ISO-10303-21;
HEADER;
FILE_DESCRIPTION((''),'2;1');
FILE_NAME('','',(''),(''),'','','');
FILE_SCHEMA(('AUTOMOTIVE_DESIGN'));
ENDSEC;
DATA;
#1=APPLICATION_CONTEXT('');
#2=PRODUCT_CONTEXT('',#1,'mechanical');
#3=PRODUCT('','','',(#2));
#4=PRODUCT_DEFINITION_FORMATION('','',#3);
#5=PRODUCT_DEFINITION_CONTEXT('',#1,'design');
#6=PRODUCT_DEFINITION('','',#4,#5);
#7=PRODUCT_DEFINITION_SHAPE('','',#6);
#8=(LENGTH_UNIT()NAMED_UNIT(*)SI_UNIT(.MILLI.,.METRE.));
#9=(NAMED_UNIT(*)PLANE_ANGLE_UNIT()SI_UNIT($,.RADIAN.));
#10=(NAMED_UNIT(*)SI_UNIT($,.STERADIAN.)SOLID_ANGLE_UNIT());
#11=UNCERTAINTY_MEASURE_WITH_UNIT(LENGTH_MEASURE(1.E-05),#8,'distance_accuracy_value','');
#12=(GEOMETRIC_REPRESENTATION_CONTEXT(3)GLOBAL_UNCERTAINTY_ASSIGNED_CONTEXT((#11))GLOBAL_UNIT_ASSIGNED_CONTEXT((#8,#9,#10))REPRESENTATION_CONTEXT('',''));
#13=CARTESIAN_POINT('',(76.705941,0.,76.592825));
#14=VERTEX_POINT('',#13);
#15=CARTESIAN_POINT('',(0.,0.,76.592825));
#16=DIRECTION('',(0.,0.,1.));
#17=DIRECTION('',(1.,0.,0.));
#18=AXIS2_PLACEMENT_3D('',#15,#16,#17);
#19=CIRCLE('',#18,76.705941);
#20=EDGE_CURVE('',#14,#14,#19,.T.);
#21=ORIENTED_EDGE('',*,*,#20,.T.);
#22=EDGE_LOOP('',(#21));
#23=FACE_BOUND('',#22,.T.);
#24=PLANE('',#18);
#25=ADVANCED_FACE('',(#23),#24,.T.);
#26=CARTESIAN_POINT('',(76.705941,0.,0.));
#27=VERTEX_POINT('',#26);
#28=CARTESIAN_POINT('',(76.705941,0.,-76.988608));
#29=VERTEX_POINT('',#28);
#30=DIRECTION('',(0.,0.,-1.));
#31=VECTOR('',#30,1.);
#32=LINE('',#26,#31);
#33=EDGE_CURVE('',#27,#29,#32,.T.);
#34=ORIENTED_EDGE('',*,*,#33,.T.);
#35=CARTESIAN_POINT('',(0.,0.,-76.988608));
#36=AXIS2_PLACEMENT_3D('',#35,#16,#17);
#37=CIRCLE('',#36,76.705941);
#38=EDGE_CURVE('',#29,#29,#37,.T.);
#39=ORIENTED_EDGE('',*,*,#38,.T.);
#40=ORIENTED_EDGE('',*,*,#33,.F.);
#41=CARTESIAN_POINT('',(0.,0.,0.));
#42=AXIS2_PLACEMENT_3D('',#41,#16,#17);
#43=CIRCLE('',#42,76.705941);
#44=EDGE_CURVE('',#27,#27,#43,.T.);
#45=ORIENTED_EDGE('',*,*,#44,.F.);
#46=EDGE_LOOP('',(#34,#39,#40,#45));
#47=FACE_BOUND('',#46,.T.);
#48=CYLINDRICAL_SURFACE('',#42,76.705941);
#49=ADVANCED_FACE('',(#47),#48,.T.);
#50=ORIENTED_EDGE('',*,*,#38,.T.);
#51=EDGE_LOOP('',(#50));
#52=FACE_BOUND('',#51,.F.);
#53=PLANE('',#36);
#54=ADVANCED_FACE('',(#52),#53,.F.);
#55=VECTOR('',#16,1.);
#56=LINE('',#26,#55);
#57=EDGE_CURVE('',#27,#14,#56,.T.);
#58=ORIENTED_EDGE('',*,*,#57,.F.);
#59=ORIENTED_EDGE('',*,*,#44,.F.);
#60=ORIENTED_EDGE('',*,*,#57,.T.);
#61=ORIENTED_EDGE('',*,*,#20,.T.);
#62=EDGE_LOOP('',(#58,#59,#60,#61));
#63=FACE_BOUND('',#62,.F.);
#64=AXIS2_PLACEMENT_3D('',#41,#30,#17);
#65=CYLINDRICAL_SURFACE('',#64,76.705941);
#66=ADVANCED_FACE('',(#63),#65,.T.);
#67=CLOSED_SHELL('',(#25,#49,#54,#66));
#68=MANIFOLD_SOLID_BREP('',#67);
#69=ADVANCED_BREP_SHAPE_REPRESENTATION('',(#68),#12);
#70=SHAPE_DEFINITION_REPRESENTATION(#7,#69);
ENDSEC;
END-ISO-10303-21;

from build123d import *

# Parameters (mm, degrees)
F0_R     = 76.705941
F1_DEPTH = 76.988608
F2_DEPTH = 76.592825


with BuildPart() as f1:
    # F0 (on Top) → F1 (new body)
    with BuildSketch(Plane.XY):
        Circle(F0_R)
    extrude(amount=-F1_DEPTH)

    # F0 (on Top) → F2 (join)
    with BuildSketch(Plane.XY):
        Circle(F0_R)
    extrude(amount=F2_DEPTH)


solid = f1.part
